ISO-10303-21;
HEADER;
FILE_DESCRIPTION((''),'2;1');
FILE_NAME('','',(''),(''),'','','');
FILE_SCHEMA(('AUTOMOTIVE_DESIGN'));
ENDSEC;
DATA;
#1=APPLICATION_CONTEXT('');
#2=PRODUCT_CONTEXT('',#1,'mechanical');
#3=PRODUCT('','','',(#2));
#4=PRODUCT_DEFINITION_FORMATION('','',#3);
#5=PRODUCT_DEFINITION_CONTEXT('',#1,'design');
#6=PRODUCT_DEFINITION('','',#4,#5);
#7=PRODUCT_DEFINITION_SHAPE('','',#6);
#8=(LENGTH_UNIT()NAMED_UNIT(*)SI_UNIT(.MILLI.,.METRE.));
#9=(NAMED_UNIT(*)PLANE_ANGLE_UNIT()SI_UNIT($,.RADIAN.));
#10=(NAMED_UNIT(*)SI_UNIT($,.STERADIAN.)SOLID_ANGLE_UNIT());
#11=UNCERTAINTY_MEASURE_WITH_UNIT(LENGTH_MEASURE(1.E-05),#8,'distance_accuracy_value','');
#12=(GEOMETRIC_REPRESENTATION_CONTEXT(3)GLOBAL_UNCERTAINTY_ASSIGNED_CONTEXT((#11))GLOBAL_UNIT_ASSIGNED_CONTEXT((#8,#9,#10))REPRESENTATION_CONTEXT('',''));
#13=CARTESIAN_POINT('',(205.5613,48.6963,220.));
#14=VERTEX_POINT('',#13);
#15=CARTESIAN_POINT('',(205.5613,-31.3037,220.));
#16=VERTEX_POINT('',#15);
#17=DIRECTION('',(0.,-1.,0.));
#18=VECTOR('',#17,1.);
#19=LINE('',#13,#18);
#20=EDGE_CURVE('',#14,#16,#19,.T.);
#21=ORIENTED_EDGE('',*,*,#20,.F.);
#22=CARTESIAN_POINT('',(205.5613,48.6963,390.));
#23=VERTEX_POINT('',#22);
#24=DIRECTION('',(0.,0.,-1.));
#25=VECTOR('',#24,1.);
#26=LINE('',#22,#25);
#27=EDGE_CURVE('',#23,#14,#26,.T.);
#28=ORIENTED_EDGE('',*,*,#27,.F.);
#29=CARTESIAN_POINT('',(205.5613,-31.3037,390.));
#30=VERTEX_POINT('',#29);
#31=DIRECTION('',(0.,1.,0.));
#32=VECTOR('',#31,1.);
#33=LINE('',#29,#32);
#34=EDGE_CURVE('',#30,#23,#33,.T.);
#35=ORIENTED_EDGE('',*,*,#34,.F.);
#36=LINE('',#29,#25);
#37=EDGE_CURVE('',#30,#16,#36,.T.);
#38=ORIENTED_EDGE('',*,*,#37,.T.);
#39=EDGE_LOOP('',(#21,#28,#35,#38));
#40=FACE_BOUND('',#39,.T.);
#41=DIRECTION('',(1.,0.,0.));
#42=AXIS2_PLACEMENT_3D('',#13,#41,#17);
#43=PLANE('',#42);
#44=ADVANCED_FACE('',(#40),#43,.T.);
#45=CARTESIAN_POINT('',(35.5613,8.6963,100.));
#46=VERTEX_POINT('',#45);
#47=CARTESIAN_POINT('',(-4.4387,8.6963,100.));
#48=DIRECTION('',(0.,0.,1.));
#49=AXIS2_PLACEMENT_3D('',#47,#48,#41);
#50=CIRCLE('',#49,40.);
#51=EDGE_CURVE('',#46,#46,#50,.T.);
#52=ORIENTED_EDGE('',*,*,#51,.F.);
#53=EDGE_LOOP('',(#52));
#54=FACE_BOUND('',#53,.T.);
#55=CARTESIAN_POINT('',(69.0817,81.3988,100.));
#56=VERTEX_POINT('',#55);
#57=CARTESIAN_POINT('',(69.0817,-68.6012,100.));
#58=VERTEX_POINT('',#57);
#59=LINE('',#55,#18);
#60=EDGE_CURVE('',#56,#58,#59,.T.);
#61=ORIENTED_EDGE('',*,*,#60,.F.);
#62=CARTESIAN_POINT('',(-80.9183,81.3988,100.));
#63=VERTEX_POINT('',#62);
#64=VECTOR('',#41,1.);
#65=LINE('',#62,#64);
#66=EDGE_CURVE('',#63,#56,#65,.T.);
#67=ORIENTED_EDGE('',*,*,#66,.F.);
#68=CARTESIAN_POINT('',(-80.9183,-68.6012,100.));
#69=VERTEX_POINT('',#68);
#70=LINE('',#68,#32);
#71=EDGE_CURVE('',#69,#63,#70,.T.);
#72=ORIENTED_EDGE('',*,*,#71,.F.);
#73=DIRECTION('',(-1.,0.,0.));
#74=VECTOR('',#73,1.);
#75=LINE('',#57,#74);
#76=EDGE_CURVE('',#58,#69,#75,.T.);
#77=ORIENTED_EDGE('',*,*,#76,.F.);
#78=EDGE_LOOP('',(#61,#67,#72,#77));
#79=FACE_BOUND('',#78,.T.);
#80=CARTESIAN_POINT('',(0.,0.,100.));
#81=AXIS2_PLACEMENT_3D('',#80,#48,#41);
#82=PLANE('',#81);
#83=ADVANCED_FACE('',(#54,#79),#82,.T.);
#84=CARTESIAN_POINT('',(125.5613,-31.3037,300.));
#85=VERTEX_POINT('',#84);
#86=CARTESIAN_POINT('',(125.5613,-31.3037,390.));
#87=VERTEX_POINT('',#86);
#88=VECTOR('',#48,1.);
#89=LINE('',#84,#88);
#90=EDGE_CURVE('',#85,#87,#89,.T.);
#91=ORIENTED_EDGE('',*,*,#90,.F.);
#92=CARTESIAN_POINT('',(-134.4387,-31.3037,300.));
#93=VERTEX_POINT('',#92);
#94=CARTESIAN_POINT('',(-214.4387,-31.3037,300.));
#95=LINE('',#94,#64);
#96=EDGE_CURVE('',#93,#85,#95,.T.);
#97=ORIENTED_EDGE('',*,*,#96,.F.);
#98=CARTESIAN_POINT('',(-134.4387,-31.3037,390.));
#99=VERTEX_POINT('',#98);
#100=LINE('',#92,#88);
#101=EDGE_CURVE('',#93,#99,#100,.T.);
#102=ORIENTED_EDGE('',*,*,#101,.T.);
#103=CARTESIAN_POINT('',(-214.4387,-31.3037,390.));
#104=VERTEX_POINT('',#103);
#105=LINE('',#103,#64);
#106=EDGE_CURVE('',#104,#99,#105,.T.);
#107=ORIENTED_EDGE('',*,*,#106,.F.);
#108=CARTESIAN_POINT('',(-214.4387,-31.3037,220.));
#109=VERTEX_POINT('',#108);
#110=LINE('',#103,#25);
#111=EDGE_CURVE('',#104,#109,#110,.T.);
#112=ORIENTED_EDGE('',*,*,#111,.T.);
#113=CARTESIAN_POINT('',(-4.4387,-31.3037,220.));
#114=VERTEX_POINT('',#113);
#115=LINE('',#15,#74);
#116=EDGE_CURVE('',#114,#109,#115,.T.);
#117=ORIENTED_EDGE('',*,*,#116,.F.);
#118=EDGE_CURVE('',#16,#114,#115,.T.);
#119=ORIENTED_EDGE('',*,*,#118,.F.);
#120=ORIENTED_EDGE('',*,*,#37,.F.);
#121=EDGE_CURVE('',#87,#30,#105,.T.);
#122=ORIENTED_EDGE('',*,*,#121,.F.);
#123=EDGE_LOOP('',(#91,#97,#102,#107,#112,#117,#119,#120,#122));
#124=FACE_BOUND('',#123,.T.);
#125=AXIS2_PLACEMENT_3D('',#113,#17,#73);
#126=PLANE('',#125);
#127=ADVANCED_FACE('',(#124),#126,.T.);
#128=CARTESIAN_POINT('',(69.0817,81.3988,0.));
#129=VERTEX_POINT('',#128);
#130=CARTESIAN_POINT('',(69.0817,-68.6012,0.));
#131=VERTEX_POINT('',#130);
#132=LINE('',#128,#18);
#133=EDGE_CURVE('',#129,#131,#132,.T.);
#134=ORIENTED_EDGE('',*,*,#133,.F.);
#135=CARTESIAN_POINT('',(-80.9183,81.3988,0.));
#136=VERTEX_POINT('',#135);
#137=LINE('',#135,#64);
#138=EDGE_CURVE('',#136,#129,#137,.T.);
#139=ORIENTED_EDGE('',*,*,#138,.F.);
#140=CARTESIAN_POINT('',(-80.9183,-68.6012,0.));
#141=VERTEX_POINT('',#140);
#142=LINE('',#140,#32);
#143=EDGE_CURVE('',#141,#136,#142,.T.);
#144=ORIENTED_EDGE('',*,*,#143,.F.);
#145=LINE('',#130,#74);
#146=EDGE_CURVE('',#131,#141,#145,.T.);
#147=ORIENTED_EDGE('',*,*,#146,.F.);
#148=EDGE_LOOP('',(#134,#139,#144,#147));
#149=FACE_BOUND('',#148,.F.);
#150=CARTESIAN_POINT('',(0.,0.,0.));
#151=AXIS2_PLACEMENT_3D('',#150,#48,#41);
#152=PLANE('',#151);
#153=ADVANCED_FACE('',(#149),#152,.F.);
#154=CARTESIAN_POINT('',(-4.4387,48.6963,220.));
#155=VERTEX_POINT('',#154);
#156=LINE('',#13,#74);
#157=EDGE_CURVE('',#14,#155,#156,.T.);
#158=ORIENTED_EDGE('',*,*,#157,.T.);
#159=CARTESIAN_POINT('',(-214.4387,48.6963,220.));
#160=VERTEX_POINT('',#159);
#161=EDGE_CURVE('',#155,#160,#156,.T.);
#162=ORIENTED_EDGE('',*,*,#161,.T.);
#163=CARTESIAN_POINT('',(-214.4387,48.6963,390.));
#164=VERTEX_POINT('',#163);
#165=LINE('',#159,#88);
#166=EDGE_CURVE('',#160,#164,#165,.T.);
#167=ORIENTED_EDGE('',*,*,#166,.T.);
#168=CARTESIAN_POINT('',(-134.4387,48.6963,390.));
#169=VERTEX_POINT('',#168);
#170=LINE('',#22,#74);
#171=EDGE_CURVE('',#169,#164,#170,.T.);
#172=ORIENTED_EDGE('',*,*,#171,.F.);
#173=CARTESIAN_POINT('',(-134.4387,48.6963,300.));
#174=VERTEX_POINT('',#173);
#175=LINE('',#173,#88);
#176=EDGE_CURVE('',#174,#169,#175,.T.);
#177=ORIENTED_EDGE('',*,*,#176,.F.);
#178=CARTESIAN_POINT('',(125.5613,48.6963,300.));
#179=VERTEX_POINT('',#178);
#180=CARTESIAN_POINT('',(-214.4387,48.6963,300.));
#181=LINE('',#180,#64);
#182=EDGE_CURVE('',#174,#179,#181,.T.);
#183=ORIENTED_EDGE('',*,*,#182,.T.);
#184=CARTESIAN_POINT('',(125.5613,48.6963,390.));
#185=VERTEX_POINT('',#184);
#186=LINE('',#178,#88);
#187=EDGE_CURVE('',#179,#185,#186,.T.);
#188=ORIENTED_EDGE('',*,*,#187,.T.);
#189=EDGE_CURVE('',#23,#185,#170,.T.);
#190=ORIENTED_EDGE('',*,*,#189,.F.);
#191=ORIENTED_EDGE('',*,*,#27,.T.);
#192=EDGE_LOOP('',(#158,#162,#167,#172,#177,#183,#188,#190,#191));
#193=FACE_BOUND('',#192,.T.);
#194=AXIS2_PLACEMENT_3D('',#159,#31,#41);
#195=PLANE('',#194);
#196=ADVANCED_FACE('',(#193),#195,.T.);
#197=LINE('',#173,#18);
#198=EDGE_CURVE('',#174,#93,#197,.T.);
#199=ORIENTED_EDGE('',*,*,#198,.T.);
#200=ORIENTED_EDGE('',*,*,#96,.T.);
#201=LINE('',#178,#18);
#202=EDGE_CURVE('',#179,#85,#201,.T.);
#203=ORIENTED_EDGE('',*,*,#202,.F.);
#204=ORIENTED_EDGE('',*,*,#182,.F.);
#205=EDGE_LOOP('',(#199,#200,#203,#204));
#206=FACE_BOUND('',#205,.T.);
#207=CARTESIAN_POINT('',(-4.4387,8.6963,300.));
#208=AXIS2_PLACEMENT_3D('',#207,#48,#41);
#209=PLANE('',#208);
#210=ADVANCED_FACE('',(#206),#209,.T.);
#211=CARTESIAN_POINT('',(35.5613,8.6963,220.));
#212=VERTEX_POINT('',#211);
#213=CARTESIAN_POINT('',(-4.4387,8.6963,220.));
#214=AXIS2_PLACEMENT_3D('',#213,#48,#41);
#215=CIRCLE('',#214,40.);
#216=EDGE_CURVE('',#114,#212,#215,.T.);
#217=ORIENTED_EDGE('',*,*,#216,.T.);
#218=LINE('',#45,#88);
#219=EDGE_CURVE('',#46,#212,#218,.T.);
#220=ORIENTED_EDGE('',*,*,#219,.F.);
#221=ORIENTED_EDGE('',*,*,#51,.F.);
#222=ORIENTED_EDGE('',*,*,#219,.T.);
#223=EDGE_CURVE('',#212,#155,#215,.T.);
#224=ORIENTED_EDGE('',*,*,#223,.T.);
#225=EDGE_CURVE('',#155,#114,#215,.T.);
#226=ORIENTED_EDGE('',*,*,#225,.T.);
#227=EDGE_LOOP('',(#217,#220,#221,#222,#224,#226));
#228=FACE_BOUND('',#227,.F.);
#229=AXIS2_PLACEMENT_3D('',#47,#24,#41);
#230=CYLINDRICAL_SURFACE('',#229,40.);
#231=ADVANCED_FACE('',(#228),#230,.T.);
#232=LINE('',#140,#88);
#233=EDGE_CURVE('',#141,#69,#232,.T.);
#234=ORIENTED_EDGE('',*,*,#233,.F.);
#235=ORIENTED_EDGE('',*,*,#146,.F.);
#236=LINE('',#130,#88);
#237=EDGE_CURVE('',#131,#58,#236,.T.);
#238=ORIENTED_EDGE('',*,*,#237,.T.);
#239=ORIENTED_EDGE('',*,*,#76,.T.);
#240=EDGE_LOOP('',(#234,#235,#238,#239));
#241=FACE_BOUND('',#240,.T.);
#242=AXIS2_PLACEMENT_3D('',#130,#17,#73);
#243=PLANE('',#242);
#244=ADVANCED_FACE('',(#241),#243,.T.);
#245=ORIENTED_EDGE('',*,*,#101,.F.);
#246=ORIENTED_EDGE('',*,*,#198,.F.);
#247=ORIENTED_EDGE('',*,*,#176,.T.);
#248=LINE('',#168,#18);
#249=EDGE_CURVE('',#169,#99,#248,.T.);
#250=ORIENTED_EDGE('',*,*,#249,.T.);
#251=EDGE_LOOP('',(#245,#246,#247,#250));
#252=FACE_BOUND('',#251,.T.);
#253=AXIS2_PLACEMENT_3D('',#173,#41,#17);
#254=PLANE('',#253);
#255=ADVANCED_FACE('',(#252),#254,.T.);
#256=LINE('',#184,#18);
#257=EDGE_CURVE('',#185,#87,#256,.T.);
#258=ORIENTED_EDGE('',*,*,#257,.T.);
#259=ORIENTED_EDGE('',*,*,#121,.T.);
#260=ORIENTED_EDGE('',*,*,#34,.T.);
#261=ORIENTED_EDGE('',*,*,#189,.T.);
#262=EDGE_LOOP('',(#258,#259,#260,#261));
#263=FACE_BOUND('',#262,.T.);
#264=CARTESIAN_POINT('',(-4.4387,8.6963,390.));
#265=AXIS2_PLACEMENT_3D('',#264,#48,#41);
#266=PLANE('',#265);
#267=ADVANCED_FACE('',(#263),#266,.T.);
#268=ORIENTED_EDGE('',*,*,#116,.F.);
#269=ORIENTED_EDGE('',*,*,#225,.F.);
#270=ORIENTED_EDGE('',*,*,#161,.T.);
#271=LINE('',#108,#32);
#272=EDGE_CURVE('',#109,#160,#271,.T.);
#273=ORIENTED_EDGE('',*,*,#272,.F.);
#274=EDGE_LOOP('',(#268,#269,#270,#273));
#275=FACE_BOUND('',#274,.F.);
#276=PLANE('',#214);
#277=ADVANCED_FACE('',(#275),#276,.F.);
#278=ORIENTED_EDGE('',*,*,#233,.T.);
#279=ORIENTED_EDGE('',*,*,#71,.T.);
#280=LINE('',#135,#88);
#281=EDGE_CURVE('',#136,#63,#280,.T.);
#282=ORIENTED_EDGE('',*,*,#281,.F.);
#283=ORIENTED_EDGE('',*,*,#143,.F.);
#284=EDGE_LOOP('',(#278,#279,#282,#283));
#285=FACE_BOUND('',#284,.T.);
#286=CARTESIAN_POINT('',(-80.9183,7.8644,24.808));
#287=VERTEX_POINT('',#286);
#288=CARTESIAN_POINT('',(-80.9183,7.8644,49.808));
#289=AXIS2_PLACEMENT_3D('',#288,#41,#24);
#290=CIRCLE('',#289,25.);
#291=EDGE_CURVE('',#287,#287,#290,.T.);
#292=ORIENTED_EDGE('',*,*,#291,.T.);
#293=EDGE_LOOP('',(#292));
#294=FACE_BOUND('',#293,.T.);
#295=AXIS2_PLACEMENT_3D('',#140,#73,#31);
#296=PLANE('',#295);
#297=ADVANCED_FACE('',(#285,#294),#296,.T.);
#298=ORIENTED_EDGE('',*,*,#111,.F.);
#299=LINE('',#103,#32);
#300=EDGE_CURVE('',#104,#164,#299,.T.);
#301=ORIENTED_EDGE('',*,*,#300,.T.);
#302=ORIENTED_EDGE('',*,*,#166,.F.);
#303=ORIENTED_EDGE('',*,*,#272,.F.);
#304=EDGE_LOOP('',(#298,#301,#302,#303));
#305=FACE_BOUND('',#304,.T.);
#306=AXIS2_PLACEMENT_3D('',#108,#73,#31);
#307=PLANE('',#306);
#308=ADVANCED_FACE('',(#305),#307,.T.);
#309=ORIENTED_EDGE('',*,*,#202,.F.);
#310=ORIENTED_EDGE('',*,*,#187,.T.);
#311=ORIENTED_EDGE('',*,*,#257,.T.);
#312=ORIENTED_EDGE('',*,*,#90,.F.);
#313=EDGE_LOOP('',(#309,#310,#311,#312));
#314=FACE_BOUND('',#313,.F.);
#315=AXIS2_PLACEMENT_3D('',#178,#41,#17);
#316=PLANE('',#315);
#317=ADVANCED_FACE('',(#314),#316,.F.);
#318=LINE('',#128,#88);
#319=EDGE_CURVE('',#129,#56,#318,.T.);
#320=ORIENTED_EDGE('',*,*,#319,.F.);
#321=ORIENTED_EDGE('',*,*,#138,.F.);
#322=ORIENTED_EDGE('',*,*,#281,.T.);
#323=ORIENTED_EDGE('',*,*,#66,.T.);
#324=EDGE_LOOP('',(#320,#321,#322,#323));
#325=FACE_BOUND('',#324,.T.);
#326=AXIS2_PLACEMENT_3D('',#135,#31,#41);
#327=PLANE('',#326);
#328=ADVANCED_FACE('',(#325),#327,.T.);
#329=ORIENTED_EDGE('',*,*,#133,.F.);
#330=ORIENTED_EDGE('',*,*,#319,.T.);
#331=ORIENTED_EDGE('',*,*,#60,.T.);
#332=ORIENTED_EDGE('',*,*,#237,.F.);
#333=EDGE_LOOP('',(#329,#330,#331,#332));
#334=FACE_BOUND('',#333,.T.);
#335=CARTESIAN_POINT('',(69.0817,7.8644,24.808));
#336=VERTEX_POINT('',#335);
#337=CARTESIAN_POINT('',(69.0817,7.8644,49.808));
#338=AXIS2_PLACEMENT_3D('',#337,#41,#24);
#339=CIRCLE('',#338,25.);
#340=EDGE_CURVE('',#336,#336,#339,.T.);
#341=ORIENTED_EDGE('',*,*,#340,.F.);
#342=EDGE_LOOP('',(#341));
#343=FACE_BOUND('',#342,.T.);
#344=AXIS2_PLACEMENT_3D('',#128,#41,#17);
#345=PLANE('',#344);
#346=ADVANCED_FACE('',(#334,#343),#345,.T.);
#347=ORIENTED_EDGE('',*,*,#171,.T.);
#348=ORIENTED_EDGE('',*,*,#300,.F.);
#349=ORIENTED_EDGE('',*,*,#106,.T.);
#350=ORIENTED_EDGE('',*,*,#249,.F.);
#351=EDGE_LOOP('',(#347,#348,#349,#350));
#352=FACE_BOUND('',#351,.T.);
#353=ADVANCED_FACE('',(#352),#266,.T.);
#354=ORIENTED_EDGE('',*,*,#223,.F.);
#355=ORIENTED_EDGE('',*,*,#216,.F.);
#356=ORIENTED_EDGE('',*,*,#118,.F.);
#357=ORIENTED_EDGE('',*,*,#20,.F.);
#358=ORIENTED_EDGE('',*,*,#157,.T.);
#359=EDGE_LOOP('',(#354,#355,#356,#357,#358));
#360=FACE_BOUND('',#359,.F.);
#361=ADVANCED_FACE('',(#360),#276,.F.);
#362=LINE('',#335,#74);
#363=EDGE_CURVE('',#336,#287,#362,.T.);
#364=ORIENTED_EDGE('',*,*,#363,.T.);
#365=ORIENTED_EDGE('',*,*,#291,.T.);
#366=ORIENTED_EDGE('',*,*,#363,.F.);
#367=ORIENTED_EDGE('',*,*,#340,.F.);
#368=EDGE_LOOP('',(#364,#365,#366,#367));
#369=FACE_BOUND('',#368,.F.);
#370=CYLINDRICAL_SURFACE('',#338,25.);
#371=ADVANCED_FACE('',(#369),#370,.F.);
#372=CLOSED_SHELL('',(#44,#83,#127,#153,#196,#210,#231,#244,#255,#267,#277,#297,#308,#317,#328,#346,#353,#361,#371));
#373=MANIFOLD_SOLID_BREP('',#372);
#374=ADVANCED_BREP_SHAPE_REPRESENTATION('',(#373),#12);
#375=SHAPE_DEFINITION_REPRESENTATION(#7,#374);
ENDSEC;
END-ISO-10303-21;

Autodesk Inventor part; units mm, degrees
ref_plane "YZ Plane" through (0, 0, 0) normal (1, 0, 0) x (0, 1, 0)
ref_plane "XZ Plane" through (0, 0, 0) normal (0, 1, 0) x (-1, 0, 0)
ref_plane "XY Plane" through (0, 0, 0) normal (0, 0, 1) x (1, 0, 0)
sketch "Sketch1" plane through (0, 0, 0) normal (0, 0, 1) x (1, 0, 0)
  line L0 (-80.9183, 81.3988) -> (69.0817, 81.3988)
  line L1 (69.0817, 81.3988) -> (69.0817, -68.6012)
  line L2 (69.0817, -68.6012) -> (-80.9183, -68.6012)
  line L3 (-80.9183, -68.6012) -> (-80.9183, 81.3988)
  line L4 (-80.9183, 81.3988) -> (69.0817, -68.6012) construction
  line L5 (69.0817, 81.3988) -> (-80.9183, -68.6012) construction
  point P0 (0, 0)
  point P1 (-5.9183, 6.3988)
  dimension "d0" = 150
  dimension "d1" = 150
extrude "Extrusion1" add sketch "Sketch1" along normal blind 100
sketch "Sketch2" plane through (0, 0, 100) normal (0, 0, 1) x (1, 0, 0)
  circle A0 centre (-4.4387, 8.6963) radius 40
  point P0 (0, 0)
  dimension "d4" = 80
extrude "Extrusion2" add sketch "Sketch2" along normal blind 120
sketch "Sketch3" plane through (-4.4387, 8.6963, 220) normal (0, 0, 1) x (1, 0, 0)
  line L0 (-210, 40) -> (210, 40)
  line L1 (210, 40) -> (210, -40)
  line L2 (210, -40) -> (-210, -40)
  line L3 (-210, -40) -> (-210, 40)
  circle A0 centre (0, 0) radius 40 projected
  line L4 (-210, 40) -> (210, -40) construction
  line L5 (210, 40) -> (-210, -40) construction
  point P0 (4.4387, -8.6963)
  dimension "d7" = 420
  dimension "d8" = 80
extrude "Extrusion3" add sketch "Sketch3" along normal blind 80
sketch "Sketch4" plane through (-4.4387, 8.6963, 300) normal (0, 0, 1) x (1, 0, 0)
  line L0 (210, 40) -> (-210, 40) projected
  line L1 (-210, -40) -> (210, -40) projected
  line L2 (-210, 40) -> (-130, 40)
  line L3 (-130, 40) -> (-130, -40)
  line L4 (-130, -40) -> (-210, -40)
  line L5 (-210, -40) -> (-210, 40)
  line L6 (210, -40) -> (210, 40) projected
  line L7 (210, 40) -> (130, 40)
  line L8 (130, 40) -> (130, -40)
  line L9 (130, -40) -> (210, -40)
  line L10 (210, -40) -> (210, 40)
  point P0 (4.4387, -8.6963)
  point P1 (130, 40)
  dimension "d11" = 80
  dimension "d12" = 80
extrude "Extrusion4" add sketch "Sketch4" along normal blind 90 contours L6 L1 L8 L0 | L3 L1 L5 L0
sketch "Sketch5" plane through (69.0817, -68.6012, 0) normal (1, 0, 0) x (0, 0, -1)
  circle A0 centre (-49.808, 76.4656) radius 25
  point P0 (0, 68.6012)
  dimension "d15" = 50
extrude "Extrusion5" cut sketch "Sketch5" against normal blind 500
properties part number "HOLDER"
